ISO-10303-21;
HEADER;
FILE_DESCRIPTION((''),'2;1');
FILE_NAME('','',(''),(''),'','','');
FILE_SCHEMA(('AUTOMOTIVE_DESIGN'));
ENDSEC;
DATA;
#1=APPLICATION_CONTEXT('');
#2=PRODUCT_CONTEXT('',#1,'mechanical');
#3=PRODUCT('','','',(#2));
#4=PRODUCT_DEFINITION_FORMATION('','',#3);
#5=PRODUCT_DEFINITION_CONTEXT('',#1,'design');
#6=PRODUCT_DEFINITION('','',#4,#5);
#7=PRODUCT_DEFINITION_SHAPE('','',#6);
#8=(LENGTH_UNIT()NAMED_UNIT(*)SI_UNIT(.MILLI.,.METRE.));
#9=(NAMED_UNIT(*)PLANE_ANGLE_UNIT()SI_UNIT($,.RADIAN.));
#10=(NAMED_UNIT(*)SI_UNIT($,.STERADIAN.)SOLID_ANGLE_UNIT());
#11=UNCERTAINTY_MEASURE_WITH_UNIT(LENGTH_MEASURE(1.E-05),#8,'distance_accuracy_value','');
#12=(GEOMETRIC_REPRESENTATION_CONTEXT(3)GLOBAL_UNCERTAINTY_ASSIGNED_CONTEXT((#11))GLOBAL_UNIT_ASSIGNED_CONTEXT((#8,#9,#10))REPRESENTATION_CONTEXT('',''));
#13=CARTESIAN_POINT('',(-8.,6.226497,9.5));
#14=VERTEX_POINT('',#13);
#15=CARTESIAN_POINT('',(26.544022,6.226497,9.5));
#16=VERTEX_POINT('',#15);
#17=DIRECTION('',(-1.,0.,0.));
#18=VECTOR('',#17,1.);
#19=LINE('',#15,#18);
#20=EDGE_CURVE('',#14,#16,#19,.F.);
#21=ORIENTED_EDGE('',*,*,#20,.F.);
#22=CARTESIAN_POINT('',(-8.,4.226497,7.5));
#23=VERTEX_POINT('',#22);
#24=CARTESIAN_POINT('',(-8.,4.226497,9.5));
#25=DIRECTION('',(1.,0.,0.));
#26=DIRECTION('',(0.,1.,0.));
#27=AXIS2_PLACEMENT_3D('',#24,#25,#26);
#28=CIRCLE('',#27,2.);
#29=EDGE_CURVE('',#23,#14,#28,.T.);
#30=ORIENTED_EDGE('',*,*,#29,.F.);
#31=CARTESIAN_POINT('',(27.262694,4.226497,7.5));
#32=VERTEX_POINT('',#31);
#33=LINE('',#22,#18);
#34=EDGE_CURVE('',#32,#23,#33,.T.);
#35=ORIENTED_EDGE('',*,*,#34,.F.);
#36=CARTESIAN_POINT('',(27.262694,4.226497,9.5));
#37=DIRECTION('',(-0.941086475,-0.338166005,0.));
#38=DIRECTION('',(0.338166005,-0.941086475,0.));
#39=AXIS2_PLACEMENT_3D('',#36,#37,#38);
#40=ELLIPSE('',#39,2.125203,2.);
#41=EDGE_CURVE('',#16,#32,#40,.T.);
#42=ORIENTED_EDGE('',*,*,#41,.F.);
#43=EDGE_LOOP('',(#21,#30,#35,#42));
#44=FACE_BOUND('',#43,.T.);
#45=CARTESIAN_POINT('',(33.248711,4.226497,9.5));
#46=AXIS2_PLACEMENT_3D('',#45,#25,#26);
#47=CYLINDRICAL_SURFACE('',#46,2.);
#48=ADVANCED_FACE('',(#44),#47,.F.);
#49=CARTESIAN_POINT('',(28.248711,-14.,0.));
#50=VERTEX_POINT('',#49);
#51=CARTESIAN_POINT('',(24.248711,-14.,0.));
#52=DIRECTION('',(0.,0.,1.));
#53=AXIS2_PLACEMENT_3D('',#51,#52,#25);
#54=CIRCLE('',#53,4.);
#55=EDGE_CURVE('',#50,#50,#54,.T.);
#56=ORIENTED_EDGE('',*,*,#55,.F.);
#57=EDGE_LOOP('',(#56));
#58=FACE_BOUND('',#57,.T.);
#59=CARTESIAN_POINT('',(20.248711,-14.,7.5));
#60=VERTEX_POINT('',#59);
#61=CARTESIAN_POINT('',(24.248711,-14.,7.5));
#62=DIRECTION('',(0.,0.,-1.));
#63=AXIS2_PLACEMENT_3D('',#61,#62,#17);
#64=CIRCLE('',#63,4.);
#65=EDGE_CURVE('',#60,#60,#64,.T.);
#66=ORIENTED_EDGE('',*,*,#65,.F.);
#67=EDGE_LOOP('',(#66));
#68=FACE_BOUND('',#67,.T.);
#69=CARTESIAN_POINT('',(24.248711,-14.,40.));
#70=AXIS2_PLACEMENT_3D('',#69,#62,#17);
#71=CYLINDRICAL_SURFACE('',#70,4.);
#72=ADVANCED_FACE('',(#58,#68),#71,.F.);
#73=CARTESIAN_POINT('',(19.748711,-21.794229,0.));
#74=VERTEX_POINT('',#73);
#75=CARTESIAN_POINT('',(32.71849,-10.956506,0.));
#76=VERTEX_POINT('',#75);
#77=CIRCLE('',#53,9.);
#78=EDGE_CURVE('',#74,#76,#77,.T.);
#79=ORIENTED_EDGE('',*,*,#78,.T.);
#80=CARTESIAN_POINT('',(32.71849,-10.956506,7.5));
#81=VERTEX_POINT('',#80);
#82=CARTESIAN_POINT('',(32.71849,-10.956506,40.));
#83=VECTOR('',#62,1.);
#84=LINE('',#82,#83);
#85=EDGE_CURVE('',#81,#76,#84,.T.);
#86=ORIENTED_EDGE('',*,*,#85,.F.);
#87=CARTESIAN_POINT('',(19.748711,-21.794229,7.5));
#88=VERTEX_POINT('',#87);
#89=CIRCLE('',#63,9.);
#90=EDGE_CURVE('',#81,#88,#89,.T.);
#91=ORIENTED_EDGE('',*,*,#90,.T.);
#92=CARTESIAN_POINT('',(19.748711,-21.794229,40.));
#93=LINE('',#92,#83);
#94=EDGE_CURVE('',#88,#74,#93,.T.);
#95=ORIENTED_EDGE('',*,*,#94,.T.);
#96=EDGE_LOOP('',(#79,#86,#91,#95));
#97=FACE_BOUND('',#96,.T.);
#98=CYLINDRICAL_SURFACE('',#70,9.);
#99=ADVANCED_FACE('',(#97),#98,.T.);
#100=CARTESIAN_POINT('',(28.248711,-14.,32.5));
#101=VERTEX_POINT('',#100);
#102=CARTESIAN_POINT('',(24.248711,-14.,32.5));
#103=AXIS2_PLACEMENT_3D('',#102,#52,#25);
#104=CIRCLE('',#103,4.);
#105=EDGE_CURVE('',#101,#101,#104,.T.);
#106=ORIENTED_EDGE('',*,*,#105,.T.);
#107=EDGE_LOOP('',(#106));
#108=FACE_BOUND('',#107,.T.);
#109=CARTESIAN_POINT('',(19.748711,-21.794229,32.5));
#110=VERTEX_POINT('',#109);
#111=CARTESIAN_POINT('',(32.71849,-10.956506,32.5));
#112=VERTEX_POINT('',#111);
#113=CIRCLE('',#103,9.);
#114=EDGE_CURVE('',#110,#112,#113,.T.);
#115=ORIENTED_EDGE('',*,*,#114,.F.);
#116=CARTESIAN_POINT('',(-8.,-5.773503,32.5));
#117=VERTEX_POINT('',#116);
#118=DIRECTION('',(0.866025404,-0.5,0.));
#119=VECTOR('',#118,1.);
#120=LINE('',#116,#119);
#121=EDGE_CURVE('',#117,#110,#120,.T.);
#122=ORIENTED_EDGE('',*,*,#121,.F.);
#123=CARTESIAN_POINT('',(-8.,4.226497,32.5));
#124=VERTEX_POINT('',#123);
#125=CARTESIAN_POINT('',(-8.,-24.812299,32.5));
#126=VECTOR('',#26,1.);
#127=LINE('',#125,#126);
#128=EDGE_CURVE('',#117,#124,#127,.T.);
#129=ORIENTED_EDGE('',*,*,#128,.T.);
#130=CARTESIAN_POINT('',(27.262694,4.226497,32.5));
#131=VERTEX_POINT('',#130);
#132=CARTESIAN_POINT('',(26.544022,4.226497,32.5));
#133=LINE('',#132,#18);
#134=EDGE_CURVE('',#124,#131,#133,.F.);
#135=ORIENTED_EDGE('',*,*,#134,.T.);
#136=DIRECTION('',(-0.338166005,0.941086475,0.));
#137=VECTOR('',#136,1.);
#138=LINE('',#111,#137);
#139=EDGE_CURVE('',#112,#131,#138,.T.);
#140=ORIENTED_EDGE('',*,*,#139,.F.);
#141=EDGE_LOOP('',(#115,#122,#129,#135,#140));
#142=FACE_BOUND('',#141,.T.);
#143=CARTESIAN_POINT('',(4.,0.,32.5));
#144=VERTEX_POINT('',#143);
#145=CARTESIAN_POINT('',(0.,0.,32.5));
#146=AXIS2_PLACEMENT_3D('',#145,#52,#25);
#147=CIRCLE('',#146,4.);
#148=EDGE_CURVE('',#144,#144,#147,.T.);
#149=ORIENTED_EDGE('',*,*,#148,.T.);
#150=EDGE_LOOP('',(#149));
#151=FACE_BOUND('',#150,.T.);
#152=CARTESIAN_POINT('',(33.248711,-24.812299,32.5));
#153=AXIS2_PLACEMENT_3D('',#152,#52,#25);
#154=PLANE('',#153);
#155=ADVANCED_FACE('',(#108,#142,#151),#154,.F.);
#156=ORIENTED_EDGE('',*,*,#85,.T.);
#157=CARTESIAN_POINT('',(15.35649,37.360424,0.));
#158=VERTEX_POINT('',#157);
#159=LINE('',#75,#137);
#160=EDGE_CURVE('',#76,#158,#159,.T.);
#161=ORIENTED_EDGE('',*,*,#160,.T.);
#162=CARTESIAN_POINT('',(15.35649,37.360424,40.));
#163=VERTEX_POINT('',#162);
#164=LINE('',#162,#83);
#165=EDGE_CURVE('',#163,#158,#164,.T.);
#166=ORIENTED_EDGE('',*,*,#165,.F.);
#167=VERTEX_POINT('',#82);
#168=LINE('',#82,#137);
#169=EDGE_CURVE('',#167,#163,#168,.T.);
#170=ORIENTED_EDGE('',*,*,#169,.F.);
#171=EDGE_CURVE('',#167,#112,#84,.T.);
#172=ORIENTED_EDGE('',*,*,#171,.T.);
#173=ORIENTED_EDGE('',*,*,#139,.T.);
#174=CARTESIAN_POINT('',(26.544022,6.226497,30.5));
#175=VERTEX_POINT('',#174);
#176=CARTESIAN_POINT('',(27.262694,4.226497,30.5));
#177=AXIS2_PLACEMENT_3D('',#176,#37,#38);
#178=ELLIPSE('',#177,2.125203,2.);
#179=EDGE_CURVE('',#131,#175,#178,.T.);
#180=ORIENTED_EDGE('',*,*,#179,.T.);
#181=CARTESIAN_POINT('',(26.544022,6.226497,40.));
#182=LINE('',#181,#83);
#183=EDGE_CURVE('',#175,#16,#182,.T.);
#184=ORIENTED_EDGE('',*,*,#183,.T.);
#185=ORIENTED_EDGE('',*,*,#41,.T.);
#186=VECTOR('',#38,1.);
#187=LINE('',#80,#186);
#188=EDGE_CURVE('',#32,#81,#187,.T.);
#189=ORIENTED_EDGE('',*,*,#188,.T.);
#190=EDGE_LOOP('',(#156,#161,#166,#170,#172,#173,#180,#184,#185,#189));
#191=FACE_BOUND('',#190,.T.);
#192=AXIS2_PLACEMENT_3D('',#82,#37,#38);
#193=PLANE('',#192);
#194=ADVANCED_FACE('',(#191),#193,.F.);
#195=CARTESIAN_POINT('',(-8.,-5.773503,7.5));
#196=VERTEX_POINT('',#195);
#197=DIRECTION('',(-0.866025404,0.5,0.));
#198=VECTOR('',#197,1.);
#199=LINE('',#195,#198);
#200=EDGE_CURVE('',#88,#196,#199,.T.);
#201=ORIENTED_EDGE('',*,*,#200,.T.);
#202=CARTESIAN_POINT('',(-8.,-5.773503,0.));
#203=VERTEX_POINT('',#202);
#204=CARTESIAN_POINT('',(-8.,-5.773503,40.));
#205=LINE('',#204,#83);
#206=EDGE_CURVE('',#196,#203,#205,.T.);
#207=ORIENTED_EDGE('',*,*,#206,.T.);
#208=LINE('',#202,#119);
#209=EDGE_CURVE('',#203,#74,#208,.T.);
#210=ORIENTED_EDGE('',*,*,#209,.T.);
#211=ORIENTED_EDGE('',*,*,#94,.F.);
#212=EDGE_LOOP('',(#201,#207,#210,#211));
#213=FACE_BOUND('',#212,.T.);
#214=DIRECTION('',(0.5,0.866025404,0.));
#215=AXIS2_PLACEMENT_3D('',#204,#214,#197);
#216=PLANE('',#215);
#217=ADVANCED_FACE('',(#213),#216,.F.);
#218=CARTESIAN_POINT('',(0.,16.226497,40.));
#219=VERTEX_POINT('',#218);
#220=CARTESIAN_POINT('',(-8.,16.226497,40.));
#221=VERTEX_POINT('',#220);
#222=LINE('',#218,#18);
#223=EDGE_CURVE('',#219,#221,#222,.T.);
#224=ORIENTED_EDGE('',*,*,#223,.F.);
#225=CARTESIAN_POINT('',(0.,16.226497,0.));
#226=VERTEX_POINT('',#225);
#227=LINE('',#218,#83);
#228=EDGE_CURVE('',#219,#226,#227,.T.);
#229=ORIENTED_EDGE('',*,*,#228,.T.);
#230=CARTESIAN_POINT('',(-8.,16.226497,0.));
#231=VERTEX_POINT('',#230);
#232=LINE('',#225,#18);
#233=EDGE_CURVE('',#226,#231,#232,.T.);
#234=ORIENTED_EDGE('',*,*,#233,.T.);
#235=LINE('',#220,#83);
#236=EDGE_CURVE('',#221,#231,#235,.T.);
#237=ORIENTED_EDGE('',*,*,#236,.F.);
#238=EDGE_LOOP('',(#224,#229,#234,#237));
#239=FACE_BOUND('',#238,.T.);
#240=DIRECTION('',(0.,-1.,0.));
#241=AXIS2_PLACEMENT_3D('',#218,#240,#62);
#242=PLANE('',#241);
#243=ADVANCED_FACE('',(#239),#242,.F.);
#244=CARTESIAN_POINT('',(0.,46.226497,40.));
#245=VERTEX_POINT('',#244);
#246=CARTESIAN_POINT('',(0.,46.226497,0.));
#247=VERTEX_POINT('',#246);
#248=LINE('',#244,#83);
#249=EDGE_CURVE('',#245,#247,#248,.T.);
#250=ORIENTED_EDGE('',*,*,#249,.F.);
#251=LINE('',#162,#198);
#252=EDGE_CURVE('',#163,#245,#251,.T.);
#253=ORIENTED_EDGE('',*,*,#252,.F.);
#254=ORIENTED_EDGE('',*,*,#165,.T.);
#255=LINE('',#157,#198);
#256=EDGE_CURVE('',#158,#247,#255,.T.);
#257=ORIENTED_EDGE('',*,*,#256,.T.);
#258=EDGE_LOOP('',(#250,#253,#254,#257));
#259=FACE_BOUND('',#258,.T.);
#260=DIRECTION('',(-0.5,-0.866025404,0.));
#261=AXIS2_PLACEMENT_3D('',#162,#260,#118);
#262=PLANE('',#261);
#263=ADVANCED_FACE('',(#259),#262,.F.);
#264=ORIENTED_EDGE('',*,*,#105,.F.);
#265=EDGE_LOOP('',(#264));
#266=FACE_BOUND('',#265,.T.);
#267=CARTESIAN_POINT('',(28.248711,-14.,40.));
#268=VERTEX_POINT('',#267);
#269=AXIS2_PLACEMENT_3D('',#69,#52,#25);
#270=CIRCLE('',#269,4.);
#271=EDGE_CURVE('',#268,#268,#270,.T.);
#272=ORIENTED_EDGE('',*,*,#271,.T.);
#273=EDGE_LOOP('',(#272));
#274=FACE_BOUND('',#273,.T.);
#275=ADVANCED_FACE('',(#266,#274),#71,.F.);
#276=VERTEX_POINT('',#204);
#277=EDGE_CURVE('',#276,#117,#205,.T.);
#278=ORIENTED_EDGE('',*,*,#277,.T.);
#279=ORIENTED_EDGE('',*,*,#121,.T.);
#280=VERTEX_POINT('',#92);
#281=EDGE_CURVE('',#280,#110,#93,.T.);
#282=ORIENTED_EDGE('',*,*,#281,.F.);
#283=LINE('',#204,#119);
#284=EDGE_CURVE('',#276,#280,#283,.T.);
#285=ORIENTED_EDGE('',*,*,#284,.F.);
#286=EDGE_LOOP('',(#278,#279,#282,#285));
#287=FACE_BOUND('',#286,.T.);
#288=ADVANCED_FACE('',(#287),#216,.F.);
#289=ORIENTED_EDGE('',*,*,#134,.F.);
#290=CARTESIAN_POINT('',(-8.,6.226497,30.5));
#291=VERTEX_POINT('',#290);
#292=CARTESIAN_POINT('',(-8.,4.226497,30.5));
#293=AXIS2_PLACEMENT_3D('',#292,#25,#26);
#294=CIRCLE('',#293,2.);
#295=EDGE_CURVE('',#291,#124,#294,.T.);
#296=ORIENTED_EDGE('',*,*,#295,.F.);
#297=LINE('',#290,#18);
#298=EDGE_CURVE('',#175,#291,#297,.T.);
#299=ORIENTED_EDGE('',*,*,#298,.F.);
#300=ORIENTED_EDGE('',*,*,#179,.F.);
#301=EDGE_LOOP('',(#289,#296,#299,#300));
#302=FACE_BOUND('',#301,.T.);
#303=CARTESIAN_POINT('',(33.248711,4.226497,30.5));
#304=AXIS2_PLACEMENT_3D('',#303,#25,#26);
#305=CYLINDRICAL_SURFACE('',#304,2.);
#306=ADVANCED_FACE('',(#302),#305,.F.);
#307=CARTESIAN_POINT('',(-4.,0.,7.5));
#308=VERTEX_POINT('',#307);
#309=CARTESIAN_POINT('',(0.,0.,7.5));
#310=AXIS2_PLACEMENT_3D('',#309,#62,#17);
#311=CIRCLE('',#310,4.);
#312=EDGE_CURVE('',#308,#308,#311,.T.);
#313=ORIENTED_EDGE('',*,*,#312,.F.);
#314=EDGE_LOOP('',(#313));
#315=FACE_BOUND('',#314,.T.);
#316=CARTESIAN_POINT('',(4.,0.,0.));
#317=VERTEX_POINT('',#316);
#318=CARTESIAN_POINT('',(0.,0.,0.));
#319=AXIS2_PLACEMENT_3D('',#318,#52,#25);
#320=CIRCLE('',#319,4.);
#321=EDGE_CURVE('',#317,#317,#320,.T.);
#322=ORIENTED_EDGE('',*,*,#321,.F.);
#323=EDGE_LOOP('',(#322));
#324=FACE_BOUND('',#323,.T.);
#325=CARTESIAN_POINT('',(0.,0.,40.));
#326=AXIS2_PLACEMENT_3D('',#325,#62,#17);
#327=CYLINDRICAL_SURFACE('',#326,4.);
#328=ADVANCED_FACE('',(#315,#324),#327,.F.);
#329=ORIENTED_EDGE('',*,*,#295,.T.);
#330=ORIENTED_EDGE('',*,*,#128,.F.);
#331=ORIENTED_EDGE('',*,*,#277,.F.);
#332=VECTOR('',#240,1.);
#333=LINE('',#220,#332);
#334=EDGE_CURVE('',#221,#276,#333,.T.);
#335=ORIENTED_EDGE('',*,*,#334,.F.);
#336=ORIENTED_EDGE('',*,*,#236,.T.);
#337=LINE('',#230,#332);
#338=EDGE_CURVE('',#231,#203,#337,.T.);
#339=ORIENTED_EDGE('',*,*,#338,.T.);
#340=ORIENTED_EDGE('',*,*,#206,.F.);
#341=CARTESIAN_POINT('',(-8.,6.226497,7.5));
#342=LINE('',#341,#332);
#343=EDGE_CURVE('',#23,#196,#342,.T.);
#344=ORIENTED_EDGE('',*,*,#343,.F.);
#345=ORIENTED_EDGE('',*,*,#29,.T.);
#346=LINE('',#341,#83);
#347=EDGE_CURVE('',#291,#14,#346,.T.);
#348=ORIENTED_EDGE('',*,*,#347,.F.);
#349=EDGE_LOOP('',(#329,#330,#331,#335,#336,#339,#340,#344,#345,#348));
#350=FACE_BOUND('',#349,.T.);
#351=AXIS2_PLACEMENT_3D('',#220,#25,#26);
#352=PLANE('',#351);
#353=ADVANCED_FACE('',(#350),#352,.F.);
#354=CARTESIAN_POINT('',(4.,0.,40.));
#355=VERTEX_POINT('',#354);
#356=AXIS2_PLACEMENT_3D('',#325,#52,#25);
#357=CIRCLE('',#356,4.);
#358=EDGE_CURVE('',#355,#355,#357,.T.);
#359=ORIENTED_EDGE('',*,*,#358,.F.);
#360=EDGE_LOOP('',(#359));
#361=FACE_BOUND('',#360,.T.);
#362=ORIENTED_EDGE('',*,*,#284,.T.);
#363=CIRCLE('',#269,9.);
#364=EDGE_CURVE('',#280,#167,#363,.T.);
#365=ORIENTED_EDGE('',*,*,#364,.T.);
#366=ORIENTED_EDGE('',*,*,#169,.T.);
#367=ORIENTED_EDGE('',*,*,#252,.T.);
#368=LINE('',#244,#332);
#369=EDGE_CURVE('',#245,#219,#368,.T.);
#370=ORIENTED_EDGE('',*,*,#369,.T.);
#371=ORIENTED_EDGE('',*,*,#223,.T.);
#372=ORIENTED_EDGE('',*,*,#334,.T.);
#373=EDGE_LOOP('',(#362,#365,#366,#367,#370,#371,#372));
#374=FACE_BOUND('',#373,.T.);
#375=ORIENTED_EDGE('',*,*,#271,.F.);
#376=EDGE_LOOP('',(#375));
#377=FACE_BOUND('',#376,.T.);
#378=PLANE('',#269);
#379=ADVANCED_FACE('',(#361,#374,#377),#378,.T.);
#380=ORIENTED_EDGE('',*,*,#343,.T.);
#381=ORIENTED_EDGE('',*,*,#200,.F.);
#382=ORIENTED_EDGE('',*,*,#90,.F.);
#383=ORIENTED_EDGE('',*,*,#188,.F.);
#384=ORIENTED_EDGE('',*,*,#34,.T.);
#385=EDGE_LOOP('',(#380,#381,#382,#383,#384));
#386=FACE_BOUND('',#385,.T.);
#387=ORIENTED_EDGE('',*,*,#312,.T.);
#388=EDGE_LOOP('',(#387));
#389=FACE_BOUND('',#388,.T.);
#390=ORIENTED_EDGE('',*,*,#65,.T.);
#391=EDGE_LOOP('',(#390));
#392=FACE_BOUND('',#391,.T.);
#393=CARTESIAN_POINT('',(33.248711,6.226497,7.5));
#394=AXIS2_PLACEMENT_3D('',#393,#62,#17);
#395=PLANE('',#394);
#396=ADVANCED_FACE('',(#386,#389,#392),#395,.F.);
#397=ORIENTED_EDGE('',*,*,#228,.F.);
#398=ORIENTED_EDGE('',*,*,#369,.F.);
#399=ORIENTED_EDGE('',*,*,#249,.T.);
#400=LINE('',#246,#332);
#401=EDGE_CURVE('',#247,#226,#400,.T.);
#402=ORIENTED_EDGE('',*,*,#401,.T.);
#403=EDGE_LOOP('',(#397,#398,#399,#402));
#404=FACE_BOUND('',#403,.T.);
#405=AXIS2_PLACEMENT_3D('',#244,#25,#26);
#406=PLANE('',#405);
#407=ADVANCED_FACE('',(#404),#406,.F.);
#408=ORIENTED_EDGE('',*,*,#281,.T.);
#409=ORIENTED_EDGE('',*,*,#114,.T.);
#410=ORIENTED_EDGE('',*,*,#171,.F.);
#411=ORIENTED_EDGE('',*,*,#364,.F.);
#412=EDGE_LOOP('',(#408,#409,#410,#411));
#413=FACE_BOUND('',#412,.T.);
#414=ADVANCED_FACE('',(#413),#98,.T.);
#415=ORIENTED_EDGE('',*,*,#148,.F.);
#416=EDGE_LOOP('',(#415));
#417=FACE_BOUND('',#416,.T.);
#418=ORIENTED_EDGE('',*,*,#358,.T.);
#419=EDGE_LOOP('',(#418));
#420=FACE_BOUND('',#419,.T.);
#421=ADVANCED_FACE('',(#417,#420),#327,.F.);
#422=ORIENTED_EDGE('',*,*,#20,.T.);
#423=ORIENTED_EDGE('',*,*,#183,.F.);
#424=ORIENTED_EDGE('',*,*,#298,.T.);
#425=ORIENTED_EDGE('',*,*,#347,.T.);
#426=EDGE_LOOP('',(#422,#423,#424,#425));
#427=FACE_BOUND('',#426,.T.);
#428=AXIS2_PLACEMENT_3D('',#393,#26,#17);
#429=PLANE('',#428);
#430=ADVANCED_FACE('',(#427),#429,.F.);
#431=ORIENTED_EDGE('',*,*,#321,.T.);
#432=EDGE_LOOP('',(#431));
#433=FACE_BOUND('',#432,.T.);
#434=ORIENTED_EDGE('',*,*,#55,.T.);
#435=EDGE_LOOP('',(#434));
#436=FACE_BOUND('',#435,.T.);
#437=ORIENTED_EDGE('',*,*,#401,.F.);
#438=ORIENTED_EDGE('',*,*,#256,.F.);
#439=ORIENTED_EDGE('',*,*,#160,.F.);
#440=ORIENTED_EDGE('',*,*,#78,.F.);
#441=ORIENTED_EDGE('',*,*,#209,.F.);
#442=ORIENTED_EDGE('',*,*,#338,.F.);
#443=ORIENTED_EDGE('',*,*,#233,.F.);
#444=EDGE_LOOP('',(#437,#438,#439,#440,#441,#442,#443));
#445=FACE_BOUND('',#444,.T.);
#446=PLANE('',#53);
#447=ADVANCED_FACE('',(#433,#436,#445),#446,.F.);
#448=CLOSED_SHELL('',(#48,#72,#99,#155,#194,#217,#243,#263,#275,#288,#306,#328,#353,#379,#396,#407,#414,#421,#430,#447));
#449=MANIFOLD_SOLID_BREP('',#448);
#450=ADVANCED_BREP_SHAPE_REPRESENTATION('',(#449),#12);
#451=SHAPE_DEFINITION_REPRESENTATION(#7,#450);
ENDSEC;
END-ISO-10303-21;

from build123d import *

# Parameters (mm, degrees)
SKETCH_1_R          = 4
EXTRUDE_1_DEPTH     = 40
SKETCH_2_W          = 25
SKETCH_2_H          = 31.038795999
CUT_EXTRUDE_1_DEPTH = 74.745137045
FILLET_3_R          = 2


with BuildPart() as part:
    # 草图1 → 凸台-拉伸1 (new body)
    with BuildSketch(Plane.XY):
        with BuildLine():
            Line((0, 46.226497308), (0, 16.226497308))
            Line((0, 16.226497308), (-8, 16.226497308))
            Line((-8, 16.226497308), (-8, -5.773502692))
            Line((-8, -5.773502692), (19.748711306, -21.794228634))
            ThreePointArc((19.748711306, -21.794228634), (30.019659504, -20.906240432), (32.718489579, -10.956505956))
            Line((32.718489579, -10.956505956), (15.356489888, 37.360423737))
            Line((15.356489888, 37.360423737), (0, 46.226497308))
        make_face()
        Circle(SKETCH_1_R, mode=Mode.SUBTRACT)
        with Locations((24.248711306, -14)):
            Circle(SKETCH_1_R, mode=Mode.SUBTRACT)
    extrude(amount=EXTRUDE_1_DEPTH)

    # 草图2 → 切除-拉伸1 (cut, through all)
    with BuildSketch(Plane.ZY.offset(8)):
        with Locations((20, -9.292900692)):
            Rectangle(SKETCH_2_W, SKETCH_2_H)
    extrude(amount=-CUT_EXTRUDE_1_DEPTH, mode=Mode.SUBTRACT)

    # 圆角3
    fillet_3_edges = [part.edges().sort_by_distance(p)[0] for p in [
        (9.272011192, 6.226497308, 7.5),
        (9.272011192, 6.226497308, 32.5),
    ]]
    fillet(fillet_3_edges, radius=FILLET_3_R)


solid = part.part
